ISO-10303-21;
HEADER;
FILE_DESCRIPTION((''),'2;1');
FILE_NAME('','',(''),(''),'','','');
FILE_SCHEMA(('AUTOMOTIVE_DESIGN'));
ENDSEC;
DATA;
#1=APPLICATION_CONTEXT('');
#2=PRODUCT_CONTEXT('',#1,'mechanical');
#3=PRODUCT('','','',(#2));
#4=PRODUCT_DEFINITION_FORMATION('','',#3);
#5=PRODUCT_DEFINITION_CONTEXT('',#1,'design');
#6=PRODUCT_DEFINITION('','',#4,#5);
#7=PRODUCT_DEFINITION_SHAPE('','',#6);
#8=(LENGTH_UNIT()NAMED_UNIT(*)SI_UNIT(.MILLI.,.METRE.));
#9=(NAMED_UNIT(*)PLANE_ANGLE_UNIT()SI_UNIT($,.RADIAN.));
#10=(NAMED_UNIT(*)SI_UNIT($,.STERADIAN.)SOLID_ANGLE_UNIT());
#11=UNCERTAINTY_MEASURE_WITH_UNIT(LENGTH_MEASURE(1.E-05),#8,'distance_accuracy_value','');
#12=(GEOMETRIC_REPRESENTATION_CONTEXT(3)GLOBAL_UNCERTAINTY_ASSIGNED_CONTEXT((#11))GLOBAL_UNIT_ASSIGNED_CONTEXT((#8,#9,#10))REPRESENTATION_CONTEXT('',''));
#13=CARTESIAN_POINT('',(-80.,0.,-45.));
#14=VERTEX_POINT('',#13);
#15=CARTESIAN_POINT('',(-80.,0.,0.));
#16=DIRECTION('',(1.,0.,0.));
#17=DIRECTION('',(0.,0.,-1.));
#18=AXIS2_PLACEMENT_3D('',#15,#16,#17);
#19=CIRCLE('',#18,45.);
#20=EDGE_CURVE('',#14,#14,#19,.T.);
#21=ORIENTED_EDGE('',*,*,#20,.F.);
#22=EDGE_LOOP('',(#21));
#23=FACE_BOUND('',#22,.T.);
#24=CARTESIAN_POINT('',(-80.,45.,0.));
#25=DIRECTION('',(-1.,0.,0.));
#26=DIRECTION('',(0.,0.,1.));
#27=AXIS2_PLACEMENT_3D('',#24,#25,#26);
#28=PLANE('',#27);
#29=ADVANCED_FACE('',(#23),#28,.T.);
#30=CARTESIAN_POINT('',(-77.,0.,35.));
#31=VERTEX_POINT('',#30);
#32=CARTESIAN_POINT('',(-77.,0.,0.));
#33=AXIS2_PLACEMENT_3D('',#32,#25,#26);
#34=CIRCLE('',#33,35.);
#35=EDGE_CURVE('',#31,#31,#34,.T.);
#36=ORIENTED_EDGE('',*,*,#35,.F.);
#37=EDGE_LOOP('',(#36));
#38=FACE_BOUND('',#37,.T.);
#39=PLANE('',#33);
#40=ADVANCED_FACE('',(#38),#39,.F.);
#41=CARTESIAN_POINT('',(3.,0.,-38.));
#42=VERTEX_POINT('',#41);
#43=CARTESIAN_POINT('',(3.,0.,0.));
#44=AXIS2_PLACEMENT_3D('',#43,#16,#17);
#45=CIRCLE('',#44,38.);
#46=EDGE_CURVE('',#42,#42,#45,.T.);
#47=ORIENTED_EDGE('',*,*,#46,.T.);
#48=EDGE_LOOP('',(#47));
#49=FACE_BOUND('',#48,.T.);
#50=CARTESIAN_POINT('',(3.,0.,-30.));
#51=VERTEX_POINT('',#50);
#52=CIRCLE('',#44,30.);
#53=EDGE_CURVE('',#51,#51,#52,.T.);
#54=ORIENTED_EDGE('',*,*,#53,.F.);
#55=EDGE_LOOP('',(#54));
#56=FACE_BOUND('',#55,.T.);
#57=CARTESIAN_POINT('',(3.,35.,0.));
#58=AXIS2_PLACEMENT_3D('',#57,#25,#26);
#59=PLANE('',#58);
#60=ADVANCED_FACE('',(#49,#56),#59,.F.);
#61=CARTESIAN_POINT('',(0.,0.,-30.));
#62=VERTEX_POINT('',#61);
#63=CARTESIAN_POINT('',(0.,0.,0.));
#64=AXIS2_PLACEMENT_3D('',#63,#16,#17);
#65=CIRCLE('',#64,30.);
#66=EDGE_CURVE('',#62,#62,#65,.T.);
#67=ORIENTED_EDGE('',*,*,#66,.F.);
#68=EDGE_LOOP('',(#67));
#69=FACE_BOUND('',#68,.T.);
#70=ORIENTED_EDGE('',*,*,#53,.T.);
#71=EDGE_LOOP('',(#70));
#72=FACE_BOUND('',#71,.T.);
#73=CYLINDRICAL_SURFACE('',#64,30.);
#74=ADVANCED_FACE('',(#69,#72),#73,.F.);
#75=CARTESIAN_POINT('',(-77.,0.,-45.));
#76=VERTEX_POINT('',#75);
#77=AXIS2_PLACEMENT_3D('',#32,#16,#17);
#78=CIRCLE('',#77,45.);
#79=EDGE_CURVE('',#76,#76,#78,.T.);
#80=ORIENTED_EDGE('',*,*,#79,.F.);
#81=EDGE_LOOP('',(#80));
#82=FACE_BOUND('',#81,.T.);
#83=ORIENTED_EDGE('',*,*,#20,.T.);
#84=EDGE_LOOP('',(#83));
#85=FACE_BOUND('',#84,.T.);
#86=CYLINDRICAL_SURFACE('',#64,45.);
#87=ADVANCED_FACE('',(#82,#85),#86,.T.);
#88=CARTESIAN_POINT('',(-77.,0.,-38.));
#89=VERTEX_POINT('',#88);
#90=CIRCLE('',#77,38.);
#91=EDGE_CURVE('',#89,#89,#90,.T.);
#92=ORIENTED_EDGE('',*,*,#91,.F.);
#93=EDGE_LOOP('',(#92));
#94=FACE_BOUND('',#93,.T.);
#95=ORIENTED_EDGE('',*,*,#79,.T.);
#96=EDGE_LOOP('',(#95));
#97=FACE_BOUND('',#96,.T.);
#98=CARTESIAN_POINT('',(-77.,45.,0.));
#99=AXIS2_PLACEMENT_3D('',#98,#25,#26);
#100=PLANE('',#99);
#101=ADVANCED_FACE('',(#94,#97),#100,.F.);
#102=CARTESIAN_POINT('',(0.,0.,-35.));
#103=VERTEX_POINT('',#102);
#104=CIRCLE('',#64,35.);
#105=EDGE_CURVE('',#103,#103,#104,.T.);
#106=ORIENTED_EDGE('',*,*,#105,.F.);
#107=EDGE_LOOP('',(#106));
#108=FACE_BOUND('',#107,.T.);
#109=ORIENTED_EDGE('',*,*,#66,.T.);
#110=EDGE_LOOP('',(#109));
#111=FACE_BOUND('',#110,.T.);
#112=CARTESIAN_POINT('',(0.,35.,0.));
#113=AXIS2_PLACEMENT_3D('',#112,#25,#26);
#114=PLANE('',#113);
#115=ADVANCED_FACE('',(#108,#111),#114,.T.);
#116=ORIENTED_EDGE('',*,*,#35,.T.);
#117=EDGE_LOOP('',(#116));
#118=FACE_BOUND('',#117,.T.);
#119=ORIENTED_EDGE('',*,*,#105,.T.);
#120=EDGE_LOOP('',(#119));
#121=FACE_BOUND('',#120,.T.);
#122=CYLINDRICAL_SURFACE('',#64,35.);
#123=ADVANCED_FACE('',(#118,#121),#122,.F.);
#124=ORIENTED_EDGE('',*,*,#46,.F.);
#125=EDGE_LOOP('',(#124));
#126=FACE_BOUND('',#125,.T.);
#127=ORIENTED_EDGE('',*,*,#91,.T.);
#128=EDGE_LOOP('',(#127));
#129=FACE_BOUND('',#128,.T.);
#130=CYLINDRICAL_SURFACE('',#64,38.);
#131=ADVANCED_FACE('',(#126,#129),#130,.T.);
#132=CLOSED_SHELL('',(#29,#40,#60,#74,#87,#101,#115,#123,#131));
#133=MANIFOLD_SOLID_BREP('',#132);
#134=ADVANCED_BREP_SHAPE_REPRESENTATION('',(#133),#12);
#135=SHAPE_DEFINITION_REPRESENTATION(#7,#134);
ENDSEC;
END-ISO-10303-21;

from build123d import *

# Parameters (mm, degrees)
SKETCH2_R           = 35
BOSS_EXTRUDE1_DEPTH = 3


with BuildPart() as part:
    # Sketch1 → Revolve-Thin1 (revolve)
    with BuildSketch(Plane.XY):
        Polygon((-80, 45), (-80, 35), (0, 35), (0, 30), (3, 30), (3, 38), (-77, 38), (-77, 45), align=None)
    revolve(axis=Axis((0, 0, 0), (-1, 0, 0)))

    # Sketch2 → Boss-Extrude1 (add)
    with BuildSketch(Plane.ZY.offset(80)):
        Circle(SKETCH2_R)
    extrude(amount=-BOSS_EXTRUDE1_DEPTH)


solid = part.part
